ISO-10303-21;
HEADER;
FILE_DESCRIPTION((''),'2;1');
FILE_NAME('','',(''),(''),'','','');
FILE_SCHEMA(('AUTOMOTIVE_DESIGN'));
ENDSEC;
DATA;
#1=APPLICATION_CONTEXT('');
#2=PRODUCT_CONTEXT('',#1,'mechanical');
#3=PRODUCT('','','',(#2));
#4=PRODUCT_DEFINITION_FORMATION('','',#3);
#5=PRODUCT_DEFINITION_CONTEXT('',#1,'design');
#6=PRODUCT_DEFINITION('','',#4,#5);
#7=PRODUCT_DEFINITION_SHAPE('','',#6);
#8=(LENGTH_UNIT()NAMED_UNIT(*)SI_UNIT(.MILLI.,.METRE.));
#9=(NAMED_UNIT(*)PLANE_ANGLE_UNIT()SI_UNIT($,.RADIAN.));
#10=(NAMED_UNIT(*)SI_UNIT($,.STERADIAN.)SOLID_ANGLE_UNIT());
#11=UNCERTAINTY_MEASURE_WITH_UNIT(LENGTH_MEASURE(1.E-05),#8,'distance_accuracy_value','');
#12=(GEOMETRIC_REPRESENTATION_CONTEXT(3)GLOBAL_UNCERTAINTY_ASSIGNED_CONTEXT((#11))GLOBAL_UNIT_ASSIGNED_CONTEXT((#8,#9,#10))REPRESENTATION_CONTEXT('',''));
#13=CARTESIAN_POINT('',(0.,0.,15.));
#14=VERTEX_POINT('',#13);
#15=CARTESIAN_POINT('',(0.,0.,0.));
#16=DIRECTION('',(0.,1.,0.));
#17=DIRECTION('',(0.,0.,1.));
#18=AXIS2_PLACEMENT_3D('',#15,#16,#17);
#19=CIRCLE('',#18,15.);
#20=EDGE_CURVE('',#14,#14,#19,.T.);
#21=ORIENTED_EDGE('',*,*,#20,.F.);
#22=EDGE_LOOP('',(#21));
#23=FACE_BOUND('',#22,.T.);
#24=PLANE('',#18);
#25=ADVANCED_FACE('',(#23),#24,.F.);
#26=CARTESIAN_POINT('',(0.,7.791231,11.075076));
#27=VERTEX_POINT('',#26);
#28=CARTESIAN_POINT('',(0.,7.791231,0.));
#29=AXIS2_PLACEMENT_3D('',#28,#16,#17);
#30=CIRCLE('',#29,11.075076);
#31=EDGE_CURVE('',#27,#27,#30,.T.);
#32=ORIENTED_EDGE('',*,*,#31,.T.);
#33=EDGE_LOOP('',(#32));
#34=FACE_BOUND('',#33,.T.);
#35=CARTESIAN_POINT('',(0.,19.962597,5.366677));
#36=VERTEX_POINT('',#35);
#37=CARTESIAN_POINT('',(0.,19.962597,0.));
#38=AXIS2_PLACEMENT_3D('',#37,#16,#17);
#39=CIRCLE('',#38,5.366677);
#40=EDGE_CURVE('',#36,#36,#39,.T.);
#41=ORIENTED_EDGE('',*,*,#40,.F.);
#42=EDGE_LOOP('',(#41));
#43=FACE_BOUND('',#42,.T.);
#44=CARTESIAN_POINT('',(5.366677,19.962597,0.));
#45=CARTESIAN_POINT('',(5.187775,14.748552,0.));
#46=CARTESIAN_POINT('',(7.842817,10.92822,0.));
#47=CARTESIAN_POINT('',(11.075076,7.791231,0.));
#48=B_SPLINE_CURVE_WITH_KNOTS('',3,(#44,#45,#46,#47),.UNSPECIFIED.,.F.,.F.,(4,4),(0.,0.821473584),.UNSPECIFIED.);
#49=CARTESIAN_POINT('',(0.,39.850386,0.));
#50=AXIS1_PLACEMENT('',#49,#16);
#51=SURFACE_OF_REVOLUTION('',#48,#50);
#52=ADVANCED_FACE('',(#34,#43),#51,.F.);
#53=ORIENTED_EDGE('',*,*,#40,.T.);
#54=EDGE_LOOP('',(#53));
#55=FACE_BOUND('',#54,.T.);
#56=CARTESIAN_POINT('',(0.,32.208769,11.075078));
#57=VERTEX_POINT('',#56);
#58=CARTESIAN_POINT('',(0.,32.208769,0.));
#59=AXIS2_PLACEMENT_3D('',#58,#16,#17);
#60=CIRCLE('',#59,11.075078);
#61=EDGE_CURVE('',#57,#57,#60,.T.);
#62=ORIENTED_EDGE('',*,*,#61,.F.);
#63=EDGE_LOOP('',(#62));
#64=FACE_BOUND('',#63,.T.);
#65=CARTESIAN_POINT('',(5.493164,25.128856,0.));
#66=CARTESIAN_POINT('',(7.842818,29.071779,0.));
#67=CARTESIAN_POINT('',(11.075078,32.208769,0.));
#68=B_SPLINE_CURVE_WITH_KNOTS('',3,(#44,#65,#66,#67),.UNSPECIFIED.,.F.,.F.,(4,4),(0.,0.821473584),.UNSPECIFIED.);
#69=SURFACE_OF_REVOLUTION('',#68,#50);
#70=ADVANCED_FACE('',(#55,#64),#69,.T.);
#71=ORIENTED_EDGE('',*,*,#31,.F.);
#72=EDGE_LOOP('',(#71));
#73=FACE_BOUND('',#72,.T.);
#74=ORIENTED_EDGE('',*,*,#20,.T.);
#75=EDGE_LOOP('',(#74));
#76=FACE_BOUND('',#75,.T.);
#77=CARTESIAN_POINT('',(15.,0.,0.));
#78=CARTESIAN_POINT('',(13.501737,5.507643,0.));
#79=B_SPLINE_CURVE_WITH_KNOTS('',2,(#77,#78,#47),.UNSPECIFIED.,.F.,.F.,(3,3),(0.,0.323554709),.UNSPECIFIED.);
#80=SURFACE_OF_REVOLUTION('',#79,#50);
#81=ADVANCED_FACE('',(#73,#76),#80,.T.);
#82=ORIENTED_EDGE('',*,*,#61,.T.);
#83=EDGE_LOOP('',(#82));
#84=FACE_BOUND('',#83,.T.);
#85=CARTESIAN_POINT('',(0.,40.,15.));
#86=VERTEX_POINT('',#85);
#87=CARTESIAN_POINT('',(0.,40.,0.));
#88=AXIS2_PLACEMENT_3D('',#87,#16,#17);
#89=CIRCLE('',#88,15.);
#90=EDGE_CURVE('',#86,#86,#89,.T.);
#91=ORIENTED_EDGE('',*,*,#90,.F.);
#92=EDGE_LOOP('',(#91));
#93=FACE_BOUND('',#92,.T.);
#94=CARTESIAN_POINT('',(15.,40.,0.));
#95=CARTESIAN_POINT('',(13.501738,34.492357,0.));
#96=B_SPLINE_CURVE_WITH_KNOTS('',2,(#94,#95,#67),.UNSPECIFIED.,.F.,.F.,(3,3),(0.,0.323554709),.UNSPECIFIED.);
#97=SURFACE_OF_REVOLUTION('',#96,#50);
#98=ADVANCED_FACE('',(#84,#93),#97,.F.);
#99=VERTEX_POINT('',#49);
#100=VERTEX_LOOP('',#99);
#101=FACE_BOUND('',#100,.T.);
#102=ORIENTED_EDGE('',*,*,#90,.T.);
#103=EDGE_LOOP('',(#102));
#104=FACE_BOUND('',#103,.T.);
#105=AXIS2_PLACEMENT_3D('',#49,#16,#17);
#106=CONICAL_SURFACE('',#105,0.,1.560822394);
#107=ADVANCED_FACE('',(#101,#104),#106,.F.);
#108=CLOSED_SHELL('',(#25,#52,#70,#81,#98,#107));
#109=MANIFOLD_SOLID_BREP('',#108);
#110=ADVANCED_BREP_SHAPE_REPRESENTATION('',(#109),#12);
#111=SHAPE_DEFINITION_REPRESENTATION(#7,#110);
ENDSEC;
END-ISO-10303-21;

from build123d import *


with BuildPart() as part:
    # Sketch3 → Revolve4 (revolve)
    with BuildSketch(Plane.XY, mode=Mode.PRIVATE) as revolve4_sk:
        with BuildLine():
            Line((0, 39.850386163), (0, 0))
            Line((0, 0), (15, 0))
            add(Edge.make_bspline(
                [(15, 0), (13.501736771, 5.507642886), (11.075076454, 7.791231077)],
                knots=[0, 0, 0, 0.323554709, 0.323554709, 0.323554709], degree=2))
            add(Edge.make_bspline(
                [(5.366677122, 19.962596541), (5.187775382, 14.748552114), (7.842817138, 10.928220482), (11.075076454, 7.791231077)],
                knots=[0, 0, 0, 0, 0.821473584, 0.821473584, 0.821473584, 0.821473584], degree=3))
            add(Edge.make_bspline(
                [(5.366677122, 19.962596541), (5.493163631, 25.128855766), (7.842818352, 29.071779137), (11.075077667, 32.208768542)],
                knots=[0, 0, 0, 0, 0.821473584, 0.821473584, 0.821473584, 0.821473584], degree=3))
            add(Edge.make_bspline(
                [(15.000000048, 40.000000113), (13.501737985, 34.492356733), (11.075077667, 32.208768542)],
                knots=[0, 0, 0, 0.323554709, 0.323554709, 0.323554709], degree=2))
            Line((15.000000048, 40.000000113), (0, 39.850386163))
        make_face()
    revolve(revolve4_sk.sketch.rotate(Axis((0, 39.850386163, 0), (0, -1, 0)), 90), axis=Axis((0, 39.850386163, 0), (0, -1, 0)))


solid = part.part
